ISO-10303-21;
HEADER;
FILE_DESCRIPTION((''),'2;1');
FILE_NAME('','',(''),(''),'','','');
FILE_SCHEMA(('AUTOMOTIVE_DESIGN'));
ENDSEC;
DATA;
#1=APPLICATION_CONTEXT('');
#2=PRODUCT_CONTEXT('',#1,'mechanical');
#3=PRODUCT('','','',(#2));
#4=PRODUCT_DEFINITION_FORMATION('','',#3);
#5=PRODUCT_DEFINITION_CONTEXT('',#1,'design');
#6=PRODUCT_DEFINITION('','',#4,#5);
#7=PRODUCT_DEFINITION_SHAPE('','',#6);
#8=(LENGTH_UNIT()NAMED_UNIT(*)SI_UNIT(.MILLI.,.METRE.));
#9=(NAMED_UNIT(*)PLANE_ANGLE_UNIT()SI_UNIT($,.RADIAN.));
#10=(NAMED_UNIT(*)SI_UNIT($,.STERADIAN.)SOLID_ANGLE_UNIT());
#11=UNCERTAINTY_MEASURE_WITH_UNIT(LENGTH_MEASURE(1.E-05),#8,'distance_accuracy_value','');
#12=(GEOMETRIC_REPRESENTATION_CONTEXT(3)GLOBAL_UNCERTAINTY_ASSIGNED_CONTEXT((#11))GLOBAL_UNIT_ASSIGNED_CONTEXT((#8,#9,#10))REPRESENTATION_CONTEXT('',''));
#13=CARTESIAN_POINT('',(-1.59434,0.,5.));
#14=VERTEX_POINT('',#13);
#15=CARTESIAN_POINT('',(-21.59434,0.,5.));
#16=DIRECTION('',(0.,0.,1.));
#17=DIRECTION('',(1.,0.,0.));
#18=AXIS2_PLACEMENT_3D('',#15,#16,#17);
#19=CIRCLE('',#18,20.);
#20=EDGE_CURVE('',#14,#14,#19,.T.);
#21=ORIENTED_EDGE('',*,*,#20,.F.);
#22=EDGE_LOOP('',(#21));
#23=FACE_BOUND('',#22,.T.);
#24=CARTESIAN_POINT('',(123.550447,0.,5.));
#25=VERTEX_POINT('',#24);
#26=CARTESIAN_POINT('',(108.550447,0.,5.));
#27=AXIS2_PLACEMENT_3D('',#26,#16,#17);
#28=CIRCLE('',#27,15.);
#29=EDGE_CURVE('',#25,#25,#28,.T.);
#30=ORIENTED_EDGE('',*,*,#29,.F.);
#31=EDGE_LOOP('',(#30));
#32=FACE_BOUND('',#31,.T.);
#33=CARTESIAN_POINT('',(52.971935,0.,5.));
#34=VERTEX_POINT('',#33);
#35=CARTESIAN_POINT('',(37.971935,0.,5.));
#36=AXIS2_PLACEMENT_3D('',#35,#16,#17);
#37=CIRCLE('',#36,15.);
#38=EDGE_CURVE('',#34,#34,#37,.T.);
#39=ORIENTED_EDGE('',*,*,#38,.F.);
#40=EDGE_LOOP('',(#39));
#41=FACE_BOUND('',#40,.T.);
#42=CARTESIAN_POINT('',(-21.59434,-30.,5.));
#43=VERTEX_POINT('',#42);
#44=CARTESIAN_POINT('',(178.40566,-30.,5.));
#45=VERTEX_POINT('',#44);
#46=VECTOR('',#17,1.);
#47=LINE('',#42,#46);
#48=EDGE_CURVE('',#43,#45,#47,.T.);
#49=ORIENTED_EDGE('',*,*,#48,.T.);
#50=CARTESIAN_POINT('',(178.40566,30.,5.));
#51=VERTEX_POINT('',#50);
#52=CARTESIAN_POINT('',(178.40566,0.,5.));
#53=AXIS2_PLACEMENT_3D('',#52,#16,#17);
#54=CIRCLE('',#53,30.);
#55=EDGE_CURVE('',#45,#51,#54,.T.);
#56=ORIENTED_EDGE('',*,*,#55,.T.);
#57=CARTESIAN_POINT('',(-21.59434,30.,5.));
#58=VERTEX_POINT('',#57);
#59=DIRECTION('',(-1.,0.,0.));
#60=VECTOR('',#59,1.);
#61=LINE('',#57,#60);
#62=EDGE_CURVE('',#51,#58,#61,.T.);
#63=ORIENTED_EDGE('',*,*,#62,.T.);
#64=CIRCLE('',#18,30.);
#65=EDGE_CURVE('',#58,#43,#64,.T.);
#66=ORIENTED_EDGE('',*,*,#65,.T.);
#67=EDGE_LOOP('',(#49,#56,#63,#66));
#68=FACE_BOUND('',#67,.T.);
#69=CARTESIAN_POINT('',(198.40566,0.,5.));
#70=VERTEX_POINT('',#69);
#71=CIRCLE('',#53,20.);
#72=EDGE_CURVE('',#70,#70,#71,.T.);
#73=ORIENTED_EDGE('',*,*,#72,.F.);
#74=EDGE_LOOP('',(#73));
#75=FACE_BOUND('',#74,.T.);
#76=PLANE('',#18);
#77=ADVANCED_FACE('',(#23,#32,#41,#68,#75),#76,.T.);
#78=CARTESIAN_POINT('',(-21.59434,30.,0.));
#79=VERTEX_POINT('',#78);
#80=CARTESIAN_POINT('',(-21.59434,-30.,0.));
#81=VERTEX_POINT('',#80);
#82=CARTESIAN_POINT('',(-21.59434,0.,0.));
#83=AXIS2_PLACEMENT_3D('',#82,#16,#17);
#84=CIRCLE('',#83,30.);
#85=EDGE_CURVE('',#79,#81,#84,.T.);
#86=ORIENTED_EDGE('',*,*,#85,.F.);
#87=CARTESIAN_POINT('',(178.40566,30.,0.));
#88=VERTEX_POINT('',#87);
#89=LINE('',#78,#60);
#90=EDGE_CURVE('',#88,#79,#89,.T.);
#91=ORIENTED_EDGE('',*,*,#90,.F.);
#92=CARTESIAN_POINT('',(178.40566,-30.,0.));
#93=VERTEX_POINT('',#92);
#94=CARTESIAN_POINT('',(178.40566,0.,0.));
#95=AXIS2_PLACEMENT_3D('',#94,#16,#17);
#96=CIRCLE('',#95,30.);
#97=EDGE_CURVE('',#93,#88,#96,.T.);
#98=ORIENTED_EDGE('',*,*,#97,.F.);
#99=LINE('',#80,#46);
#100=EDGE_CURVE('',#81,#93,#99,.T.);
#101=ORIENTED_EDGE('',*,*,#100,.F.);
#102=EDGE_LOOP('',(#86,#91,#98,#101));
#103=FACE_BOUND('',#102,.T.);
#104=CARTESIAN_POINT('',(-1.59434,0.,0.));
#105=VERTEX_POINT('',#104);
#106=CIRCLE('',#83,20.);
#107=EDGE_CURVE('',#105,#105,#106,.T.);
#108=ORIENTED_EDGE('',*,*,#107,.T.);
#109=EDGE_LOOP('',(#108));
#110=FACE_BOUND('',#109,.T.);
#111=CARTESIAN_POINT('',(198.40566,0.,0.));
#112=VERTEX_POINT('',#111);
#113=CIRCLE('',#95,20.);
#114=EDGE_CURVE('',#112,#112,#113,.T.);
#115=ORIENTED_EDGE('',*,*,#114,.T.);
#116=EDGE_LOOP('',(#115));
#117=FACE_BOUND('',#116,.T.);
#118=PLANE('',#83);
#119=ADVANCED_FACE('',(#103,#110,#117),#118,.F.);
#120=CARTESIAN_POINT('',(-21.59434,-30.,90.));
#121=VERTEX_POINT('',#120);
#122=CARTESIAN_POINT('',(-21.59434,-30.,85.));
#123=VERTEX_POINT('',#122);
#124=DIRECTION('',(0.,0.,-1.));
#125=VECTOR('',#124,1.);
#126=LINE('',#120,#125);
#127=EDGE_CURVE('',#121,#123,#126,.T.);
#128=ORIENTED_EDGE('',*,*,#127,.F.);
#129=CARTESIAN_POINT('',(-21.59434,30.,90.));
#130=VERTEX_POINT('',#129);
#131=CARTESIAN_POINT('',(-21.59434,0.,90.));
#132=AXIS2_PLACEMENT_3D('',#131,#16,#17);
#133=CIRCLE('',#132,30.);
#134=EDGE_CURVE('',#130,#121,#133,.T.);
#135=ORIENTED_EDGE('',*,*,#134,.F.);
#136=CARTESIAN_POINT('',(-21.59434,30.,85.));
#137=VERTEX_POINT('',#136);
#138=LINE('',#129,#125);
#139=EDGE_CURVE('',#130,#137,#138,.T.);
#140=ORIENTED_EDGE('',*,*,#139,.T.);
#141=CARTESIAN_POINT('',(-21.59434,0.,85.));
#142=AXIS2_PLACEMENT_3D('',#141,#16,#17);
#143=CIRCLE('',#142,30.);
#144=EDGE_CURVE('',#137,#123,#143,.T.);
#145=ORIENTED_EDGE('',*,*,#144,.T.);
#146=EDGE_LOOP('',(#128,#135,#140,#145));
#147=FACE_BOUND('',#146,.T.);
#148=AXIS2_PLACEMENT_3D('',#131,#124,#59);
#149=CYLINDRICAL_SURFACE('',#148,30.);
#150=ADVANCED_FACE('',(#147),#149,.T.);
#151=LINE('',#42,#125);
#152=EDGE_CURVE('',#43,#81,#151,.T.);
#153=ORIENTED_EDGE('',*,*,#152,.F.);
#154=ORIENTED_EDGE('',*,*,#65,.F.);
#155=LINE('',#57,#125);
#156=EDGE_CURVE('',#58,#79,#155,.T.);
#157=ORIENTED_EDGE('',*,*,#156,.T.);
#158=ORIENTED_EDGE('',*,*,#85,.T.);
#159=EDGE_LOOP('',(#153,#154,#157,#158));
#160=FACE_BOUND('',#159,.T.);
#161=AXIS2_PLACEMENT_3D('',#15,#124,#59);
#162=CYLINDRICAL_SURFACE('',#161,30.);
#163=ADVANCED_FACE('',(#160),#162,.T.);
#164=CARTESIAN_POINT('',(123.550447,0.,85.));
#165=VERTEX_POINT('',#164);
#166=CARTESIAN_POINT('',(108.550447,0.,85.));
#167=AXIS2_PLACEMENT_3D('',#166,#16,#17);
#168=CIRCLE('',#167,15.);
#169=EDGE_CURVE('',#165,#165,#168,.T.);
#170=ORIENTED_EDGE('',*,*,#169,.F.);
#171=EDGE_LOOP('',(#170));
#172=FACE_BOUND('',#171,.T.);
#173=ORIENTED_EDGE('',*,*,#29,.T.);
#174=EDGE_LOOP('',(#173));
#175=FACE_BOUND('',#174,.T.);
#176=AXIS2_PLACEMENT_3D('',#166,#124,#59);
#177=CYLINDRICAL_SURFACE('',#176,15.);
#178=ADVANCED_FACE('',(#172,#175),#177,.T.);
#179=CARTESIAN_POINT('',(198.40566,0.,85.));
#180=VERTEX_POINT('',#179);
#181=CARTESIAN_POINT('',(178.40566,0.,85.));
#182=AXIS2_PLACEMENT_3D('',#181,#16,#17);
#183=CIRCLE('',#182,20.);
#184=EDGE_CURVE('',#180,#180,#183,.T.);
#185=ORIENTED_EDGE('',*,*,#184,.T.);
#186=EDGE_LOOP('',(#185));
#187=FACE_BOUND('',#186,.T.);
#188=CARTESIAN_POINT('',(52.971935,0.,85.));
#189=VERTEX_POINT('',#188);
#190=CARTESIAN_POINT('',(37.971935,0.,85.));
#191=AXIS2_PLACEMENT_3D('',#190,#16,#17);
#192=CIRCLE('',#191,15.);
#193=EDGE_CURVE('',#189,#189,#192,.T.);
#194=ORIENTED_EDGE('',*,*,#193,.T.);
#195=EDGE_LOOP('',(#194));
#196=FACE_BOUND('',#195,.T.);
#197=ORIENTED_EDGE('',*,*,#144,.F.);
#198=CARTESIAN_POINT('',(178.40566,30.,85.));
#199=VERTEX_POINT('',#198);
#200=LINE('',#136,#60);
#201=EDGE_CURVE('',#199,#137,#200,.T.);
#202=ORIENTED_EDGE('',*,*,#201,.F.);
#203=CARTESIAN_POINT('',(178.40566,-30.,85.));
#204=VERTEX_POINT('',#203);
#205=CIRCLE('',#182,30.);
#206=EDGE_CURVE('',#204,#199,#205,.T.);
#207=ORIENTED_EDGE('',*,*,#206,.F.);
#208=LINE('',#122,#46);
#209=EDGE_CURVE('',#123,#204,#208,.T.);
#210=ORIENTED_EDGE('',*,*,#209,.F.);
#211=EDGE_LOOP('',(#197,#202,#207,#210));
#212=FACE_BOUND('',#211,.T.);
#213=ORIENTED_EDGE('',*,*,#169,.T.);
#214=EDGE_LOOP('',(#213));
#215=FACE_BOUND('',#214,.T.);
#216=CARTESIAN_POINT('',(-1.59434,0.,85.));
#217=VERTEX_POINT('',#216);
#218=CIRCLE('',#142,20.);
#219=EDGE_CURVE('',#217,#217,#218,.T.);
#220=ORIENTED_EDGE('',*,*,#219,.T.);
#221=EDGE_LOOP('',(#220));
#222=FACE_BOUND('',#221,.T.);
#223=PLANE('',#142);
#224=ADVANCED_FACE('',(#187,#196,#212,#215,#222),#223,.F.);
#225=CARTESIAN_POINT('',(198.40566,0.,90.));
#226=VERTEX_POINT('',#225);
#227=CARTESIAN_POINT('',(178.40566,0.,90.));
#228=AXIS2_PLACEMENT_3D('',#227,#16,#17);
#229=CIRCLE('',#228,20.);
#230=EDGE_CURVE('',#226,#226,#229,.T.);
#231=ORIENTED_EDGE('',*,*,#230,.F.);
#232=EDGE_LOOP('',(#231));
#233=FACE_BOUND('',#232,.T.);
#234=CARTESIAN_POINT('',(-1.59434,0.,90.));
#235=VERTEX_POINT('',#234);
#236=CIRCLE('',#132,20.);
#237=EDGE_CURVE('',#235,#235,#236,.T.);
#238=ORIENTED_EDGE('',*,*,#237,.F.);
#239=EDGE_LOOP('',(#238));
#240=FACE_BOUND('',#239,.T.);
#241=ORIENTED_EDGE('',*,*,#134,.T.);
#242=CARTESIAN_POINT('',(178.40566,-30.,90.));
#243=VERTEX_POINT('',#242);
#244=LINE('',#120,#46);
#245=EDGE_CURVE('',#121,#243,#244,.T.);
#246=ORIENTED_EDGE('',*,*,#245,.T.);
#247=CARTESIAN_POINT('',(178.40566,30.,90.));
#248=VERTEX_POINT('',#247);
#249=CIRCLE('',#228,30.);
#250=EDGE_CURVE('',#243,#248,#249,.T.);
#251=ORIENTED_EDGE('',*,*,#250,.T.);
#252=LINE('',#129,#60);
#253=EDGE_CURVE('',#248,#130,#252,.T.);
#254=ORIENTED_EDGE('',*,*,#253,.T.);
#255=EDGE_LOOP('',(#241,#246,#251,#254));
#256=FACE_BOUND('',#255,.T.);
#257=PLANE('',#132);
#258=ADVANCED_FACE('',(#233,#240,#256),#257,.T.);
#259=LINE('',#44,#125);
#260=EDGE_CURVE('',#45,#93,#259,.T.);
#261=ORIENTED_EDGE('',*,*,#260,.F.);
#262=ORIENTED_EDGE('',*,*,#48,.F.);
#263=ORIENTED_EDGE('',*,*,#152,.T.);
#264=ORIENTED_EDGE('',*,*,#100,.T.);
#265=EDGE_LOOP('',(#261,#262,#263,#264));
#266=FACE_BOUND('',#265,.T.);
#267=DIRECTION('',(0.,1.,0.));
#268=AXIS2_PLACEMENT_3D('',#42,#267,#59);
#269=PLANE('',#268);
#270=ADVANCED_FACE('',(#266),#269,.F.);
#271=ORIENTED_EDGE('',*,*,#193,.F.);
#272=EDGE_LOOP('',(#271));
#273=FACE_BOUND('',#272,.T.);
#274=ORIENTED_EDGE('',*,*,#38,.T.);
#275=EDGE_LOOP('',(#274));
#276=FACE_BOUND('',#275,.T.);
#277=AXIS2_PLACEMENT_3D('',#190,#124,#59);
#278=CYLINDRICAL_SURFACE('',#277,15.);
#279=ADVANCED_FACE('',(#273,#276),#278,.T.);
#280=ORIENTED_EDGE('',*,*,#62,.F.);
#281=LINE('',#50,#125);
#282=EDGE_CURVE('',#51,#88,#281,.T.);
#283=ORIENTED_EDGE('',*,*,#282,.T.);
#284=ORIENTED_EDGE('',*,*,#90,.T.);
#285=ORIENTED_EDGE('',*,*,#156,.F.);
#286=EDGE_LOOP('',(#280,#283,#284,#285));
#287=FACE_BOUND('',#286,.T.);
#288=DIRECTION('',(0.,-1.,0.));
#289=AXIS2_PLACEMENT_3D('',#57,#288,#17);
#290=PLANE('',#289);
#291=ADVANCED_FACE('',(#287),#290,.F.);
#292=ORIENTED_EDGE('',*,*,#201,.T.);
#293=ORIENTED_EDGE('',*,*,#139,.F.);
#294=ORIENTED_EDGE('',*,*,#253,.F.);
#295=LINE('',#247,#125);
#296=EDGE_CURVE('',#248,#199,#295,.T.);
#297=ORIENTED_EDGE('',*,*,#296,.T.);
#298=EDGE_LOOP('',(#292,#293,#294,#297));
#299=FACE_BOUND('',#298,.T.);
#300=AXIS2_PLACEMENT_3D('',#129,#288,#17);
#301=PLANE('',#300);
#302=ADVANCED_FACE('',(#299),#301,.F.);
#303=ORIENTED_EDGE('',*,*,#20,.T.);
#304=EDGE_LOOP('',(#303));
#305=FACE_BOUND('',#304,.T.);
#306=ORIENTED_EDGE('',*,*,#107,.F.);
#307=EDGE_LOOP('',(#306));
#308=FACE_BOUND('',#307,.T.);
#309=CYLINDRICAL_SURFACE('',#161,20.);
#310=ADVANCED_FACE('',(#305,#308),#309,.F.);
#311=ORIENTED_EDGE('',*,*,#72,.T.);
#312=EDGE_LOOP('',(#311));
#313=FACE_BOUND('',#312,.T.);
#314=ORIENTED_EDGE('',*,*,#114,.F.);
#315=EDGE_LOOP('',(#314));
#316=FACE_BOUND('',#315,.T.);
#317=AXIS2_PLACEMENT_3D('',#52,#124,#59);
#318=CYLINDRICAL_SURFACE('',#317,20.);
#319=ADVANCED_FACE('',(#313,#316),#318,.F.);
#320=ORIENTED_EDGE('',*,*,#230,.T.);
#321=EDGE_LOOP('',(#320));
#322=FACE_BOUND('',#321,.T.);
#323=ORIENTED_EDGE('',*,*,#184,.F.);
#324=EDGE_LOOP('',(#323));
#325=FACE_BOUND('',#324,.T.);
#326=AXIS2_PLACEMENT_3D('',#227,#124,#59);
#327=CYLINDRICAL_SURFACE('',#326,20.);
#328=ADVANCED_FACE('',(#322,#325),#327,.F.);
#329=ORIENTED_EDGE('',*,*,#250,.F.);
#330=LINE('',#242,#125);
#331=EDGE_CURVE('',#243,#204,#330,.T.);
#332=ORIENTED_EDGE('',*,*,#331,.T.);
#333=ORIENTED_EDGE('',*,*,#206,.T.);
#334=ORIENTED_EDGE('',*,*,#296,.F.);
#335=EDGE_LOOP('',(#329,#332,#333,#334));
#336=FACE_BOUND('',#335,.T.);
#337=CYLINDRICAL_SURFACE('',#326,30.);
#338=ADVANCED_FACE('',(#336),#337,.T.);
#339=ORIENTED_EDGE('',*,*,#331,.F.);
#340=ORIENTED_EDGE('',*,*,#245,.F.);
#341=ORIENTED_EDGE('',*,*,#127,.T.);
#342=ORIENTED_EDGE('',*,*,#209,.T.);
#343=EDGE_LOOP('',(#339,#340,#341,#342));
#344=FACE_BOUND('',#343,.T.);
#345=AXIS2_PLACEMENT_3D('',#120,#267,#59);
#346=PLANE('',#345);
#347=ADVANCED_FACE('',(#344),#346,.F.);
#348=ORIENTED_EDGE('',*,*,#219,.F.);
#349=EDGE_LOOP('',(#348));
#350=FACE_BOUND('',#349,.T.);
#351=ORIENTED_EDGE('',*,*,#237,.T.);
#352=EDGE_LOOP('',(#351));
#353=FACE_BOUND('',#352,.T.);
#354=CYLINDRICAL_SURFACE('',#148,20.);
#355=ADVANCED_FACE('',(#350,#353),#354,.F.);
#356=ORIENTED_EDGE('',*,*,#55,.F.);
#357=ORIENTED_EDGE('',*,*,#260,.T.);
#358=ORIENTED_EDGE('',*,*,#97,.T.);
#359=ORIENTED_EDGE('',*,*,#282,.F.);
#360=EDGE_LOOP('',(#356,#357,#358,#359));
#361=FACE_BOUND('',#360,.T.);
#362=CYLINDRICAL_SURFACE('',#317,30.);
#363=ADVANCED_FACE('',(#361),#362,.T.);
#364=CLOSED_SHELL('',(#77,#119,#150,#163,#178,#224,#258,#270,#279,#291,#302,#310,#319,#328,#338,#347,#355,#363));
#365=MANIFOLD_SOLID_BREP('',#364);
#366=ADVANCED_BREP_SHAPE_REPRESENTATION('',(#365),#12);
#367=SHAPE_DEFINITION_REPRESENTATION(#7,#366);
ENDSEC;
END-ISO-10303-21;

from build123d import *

# Parameters (mm, degrees)
SKETCH_1_R             = 20
EXTRUDE_3_DEPTH        = 5
SKETCH_5_R             = 15
EXTRUDE_4_DEPTH        = 80
PATTERN_LINEAR_2_COUNT = 2
PATTERN_LINEAR_2_PITCH = 85


with BuildPart() as part:
    # 草图1 → 凸台-拉伸3 (new body)
    with BuildSketch(Plane.XY):
        with BuildLine():
            Line((-21.594339623, 30), (178.405660377, 30))
            ThreePointArc((178.405660377, 30), (208.405660377, 0), (178.405660377, -30))
            Line((178.405660377, -30), (-21.594339623, -30))
            ThreePointArc((-21.594339623, -30), (-51.594339623, 0), (-21.594339623, 30))
        make_face()
        with Locations((178.405660377, 0)):
            Circle(SKETCH_1_R, mode=Mode.SUBTRACT)
        with Locations((-21.594339623, 0)):
            Circle(SKETCH_1_R, mode=Mode.SUBTRACT)
    extrude_3 = extrude(amount=EXTRUDE_3_DEPTH)

    # 草图5 → 凸台-拉伸4 (add)
    with BuildSketch(Plane.XY.offset(5)):
        with Locations((37.971935237, 0)):
            Circle(SKETCH_5_R)
        with Locations((108.550446531, 0)):
            Circle(SKETCH_5_R)
    extrude(amount=EXTRUDE_4_DEPTH)

    # 阵列(线性)2: 凸台-拉伸3 ×2
    with Locations(*[(0, 0, i * PATTERN_LINEAR_2_PITCH) for i in range(1, PATTERN_LINEAR_2_COUNT)]):
        add(extrude_3)


solid = part.part
